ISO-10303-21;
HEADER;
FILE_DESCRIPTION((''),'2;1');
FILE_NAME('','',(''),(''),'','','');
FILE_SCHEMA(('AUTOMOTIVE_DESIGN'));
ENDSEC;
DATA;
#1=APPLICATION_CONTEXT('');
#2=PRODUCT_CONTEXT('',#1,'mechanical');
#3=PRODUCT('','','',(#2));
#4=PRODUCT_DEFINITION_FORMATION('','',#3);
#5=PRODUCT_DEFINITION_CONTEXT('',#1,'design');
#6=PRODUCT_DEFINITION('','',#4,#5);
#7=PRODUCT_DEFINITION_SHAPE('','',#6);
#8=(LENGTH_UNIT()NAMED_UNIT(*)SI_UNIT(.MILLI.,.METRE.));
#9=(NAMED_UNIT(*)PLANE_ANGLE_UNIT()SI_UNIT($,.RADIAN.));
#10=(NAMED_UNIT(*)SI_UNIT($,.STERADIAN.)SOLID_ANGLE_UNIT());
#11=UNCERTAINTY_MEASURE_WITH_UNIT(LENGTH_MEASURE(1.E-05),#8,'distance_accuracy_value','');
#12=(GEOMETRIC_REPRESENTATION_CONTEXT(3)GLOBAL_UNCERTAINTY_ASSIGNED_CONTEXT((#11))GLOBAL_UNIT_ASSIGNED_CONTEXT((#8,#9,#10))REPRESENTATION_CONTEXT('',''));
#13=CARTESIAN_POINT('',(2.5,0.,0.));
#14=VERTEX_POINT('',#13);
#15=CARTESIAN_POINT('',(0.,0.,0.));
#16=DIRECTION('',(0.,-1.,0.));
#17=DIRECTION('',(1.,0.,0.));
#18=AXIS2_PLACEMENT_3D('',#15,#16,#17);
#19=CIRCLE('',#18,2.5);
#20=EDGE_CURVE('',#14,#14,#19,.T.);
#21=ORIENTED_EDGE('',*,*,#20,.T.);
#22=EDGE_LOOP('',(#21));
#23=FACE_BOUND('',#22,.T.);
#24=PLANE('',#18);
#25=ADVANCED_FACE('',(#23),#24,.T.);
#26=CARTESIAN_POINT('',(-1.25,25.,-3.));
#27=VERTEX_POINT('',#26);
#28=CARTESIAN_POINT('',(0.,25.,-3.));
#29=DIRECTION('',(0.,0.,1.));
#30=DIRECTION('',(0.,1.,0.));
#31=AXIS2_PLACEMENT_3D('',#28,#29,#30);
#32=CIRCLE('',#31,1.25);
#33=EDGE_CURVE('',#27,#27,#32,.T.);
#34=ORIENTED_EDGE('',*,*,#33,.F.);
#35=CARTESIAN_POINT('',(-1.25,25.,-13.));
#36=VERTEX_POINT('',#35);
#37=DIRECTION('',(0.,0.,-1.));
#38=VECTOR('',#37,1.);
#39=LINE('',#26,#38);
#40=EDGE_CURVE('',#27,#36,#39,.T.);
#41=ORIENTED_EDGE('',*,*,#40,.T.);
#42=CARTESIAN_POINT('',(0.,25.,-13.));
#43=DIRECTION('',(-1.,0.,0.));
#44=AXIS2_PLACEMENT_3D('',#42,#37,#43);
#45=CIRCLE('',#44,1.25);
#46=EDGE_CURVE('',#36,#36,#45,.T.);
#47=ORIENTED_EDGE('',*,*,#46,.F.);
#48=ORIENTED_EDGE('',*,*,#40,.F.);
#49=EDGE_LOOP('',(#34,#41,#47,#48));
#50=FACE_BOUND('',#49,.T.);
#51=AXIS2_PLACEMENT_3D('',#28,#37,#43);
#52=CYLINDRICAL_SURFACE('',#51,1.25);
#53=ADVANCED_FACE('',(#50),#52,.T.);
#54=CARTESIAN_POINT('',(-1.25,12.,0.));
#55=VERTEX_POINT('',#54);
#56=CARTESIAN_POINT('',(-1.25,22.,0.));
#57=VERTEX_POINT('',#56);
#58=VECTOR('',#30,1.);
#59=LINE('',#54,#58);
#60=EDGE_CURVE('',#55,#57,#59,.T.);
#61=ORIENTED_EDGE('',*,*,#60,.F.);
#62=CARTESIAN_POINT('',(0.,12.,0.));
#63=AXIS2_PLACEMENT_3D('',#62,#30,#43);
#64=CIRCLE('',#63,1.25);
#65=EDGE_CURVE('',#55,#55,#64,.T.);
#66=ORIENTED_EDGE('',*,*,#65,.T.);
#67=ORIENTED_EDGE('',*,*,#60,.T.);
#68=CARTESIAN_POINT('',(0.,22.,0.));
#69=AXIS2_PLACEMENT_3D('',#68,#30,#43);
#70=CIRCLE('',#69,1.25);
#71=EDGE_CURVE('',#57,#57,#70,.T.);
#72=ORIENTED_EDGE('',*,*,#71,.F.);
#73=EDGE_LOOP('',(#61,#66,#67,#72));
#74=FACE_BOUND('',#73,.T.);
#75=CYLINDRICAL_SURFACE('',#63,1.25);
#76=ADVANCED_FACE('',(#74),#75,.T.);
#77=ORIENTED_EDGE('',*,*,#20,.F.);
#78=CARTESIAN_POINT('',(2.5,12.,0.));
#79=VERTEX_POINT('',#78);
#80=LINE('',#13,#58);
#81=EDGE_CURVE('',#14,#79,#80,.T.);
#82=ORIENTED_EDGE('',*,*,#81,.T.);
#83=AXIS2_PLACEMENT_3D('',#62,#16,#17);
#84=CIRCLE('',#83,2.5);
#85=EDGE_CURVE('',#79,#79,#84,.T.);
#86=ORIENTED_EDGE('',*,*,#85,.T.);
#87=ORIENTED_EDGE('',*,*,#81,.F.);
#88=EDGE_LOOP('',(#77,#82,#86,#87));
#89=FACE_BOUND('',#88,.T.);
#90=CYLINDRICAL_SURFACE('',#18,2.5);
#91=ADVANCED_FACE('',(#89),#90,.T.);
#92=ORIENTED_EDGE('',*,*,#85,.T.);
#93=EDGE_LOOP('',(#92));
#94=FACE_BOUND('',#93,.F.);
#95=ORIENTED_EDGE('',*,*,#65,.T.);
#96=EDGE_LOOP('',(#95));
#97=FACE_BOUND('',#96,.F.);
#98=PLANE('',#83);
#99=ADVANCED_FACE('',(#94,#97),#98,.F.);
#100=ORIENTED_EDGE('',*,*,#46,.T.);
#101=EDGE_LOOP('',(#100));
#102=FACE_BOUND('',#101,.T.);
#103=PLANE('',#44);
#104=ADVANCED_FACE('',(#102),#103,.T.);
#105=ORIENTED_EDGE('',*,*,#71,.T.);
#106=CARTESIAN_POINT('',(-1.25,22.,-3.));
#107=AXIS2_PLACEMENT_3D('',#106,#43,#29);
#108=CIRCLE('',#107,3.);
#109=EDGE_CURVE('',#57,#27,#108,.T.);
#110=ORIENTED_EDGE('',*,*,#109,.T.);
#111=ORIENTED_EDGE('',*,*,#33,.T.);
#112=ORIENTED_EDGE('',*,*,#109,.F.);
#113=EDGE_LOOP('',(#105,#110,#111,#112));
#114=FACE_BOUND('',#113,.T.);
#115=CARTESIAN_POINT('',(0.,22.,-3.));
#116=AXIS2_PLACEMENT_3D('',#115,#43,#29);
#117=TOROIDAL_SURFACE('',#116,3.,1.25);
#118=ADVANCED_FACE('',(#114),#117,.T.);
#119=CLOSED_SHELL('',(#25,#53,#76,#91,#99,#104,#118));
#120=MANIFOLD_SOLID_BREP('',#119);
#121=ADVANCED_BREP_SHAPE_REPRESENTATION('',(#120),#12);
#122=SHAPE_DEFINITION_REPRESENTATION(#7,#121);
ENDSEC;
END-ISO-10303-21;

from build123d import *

# Parameters (mm, degrees)
F0_R     = 2.5
F1_DEPTH = 12
F3_R     = 1.25


with BuildPart() as f1:
    # F0 (on Front) → F1 (new body)
    with BuildSketch(Plane.XZ):
        Circle(F0_R)
    extrude(amount=-F1_DEPTH)

    # F4: sweep along a path in F2
    with BuildLine(Plane.YZ) as f4_path:
        Line((12, 0), (22, 0))
        ThreePointArc((22, 0), (24.1213203436, -0.8786796564), (25, -3))
        Line((25, -3), (25, -13))
    # F3 (on face) → F4 (sweep)
    with BuildSketch(Plane(origin=(0, 12, 0), x_dir=(-1, 0, 0), z_dir=(0, 1, 0))):
        Circle(F3_R)
    sweep(path=f4_path.line)


solid = f1.part
